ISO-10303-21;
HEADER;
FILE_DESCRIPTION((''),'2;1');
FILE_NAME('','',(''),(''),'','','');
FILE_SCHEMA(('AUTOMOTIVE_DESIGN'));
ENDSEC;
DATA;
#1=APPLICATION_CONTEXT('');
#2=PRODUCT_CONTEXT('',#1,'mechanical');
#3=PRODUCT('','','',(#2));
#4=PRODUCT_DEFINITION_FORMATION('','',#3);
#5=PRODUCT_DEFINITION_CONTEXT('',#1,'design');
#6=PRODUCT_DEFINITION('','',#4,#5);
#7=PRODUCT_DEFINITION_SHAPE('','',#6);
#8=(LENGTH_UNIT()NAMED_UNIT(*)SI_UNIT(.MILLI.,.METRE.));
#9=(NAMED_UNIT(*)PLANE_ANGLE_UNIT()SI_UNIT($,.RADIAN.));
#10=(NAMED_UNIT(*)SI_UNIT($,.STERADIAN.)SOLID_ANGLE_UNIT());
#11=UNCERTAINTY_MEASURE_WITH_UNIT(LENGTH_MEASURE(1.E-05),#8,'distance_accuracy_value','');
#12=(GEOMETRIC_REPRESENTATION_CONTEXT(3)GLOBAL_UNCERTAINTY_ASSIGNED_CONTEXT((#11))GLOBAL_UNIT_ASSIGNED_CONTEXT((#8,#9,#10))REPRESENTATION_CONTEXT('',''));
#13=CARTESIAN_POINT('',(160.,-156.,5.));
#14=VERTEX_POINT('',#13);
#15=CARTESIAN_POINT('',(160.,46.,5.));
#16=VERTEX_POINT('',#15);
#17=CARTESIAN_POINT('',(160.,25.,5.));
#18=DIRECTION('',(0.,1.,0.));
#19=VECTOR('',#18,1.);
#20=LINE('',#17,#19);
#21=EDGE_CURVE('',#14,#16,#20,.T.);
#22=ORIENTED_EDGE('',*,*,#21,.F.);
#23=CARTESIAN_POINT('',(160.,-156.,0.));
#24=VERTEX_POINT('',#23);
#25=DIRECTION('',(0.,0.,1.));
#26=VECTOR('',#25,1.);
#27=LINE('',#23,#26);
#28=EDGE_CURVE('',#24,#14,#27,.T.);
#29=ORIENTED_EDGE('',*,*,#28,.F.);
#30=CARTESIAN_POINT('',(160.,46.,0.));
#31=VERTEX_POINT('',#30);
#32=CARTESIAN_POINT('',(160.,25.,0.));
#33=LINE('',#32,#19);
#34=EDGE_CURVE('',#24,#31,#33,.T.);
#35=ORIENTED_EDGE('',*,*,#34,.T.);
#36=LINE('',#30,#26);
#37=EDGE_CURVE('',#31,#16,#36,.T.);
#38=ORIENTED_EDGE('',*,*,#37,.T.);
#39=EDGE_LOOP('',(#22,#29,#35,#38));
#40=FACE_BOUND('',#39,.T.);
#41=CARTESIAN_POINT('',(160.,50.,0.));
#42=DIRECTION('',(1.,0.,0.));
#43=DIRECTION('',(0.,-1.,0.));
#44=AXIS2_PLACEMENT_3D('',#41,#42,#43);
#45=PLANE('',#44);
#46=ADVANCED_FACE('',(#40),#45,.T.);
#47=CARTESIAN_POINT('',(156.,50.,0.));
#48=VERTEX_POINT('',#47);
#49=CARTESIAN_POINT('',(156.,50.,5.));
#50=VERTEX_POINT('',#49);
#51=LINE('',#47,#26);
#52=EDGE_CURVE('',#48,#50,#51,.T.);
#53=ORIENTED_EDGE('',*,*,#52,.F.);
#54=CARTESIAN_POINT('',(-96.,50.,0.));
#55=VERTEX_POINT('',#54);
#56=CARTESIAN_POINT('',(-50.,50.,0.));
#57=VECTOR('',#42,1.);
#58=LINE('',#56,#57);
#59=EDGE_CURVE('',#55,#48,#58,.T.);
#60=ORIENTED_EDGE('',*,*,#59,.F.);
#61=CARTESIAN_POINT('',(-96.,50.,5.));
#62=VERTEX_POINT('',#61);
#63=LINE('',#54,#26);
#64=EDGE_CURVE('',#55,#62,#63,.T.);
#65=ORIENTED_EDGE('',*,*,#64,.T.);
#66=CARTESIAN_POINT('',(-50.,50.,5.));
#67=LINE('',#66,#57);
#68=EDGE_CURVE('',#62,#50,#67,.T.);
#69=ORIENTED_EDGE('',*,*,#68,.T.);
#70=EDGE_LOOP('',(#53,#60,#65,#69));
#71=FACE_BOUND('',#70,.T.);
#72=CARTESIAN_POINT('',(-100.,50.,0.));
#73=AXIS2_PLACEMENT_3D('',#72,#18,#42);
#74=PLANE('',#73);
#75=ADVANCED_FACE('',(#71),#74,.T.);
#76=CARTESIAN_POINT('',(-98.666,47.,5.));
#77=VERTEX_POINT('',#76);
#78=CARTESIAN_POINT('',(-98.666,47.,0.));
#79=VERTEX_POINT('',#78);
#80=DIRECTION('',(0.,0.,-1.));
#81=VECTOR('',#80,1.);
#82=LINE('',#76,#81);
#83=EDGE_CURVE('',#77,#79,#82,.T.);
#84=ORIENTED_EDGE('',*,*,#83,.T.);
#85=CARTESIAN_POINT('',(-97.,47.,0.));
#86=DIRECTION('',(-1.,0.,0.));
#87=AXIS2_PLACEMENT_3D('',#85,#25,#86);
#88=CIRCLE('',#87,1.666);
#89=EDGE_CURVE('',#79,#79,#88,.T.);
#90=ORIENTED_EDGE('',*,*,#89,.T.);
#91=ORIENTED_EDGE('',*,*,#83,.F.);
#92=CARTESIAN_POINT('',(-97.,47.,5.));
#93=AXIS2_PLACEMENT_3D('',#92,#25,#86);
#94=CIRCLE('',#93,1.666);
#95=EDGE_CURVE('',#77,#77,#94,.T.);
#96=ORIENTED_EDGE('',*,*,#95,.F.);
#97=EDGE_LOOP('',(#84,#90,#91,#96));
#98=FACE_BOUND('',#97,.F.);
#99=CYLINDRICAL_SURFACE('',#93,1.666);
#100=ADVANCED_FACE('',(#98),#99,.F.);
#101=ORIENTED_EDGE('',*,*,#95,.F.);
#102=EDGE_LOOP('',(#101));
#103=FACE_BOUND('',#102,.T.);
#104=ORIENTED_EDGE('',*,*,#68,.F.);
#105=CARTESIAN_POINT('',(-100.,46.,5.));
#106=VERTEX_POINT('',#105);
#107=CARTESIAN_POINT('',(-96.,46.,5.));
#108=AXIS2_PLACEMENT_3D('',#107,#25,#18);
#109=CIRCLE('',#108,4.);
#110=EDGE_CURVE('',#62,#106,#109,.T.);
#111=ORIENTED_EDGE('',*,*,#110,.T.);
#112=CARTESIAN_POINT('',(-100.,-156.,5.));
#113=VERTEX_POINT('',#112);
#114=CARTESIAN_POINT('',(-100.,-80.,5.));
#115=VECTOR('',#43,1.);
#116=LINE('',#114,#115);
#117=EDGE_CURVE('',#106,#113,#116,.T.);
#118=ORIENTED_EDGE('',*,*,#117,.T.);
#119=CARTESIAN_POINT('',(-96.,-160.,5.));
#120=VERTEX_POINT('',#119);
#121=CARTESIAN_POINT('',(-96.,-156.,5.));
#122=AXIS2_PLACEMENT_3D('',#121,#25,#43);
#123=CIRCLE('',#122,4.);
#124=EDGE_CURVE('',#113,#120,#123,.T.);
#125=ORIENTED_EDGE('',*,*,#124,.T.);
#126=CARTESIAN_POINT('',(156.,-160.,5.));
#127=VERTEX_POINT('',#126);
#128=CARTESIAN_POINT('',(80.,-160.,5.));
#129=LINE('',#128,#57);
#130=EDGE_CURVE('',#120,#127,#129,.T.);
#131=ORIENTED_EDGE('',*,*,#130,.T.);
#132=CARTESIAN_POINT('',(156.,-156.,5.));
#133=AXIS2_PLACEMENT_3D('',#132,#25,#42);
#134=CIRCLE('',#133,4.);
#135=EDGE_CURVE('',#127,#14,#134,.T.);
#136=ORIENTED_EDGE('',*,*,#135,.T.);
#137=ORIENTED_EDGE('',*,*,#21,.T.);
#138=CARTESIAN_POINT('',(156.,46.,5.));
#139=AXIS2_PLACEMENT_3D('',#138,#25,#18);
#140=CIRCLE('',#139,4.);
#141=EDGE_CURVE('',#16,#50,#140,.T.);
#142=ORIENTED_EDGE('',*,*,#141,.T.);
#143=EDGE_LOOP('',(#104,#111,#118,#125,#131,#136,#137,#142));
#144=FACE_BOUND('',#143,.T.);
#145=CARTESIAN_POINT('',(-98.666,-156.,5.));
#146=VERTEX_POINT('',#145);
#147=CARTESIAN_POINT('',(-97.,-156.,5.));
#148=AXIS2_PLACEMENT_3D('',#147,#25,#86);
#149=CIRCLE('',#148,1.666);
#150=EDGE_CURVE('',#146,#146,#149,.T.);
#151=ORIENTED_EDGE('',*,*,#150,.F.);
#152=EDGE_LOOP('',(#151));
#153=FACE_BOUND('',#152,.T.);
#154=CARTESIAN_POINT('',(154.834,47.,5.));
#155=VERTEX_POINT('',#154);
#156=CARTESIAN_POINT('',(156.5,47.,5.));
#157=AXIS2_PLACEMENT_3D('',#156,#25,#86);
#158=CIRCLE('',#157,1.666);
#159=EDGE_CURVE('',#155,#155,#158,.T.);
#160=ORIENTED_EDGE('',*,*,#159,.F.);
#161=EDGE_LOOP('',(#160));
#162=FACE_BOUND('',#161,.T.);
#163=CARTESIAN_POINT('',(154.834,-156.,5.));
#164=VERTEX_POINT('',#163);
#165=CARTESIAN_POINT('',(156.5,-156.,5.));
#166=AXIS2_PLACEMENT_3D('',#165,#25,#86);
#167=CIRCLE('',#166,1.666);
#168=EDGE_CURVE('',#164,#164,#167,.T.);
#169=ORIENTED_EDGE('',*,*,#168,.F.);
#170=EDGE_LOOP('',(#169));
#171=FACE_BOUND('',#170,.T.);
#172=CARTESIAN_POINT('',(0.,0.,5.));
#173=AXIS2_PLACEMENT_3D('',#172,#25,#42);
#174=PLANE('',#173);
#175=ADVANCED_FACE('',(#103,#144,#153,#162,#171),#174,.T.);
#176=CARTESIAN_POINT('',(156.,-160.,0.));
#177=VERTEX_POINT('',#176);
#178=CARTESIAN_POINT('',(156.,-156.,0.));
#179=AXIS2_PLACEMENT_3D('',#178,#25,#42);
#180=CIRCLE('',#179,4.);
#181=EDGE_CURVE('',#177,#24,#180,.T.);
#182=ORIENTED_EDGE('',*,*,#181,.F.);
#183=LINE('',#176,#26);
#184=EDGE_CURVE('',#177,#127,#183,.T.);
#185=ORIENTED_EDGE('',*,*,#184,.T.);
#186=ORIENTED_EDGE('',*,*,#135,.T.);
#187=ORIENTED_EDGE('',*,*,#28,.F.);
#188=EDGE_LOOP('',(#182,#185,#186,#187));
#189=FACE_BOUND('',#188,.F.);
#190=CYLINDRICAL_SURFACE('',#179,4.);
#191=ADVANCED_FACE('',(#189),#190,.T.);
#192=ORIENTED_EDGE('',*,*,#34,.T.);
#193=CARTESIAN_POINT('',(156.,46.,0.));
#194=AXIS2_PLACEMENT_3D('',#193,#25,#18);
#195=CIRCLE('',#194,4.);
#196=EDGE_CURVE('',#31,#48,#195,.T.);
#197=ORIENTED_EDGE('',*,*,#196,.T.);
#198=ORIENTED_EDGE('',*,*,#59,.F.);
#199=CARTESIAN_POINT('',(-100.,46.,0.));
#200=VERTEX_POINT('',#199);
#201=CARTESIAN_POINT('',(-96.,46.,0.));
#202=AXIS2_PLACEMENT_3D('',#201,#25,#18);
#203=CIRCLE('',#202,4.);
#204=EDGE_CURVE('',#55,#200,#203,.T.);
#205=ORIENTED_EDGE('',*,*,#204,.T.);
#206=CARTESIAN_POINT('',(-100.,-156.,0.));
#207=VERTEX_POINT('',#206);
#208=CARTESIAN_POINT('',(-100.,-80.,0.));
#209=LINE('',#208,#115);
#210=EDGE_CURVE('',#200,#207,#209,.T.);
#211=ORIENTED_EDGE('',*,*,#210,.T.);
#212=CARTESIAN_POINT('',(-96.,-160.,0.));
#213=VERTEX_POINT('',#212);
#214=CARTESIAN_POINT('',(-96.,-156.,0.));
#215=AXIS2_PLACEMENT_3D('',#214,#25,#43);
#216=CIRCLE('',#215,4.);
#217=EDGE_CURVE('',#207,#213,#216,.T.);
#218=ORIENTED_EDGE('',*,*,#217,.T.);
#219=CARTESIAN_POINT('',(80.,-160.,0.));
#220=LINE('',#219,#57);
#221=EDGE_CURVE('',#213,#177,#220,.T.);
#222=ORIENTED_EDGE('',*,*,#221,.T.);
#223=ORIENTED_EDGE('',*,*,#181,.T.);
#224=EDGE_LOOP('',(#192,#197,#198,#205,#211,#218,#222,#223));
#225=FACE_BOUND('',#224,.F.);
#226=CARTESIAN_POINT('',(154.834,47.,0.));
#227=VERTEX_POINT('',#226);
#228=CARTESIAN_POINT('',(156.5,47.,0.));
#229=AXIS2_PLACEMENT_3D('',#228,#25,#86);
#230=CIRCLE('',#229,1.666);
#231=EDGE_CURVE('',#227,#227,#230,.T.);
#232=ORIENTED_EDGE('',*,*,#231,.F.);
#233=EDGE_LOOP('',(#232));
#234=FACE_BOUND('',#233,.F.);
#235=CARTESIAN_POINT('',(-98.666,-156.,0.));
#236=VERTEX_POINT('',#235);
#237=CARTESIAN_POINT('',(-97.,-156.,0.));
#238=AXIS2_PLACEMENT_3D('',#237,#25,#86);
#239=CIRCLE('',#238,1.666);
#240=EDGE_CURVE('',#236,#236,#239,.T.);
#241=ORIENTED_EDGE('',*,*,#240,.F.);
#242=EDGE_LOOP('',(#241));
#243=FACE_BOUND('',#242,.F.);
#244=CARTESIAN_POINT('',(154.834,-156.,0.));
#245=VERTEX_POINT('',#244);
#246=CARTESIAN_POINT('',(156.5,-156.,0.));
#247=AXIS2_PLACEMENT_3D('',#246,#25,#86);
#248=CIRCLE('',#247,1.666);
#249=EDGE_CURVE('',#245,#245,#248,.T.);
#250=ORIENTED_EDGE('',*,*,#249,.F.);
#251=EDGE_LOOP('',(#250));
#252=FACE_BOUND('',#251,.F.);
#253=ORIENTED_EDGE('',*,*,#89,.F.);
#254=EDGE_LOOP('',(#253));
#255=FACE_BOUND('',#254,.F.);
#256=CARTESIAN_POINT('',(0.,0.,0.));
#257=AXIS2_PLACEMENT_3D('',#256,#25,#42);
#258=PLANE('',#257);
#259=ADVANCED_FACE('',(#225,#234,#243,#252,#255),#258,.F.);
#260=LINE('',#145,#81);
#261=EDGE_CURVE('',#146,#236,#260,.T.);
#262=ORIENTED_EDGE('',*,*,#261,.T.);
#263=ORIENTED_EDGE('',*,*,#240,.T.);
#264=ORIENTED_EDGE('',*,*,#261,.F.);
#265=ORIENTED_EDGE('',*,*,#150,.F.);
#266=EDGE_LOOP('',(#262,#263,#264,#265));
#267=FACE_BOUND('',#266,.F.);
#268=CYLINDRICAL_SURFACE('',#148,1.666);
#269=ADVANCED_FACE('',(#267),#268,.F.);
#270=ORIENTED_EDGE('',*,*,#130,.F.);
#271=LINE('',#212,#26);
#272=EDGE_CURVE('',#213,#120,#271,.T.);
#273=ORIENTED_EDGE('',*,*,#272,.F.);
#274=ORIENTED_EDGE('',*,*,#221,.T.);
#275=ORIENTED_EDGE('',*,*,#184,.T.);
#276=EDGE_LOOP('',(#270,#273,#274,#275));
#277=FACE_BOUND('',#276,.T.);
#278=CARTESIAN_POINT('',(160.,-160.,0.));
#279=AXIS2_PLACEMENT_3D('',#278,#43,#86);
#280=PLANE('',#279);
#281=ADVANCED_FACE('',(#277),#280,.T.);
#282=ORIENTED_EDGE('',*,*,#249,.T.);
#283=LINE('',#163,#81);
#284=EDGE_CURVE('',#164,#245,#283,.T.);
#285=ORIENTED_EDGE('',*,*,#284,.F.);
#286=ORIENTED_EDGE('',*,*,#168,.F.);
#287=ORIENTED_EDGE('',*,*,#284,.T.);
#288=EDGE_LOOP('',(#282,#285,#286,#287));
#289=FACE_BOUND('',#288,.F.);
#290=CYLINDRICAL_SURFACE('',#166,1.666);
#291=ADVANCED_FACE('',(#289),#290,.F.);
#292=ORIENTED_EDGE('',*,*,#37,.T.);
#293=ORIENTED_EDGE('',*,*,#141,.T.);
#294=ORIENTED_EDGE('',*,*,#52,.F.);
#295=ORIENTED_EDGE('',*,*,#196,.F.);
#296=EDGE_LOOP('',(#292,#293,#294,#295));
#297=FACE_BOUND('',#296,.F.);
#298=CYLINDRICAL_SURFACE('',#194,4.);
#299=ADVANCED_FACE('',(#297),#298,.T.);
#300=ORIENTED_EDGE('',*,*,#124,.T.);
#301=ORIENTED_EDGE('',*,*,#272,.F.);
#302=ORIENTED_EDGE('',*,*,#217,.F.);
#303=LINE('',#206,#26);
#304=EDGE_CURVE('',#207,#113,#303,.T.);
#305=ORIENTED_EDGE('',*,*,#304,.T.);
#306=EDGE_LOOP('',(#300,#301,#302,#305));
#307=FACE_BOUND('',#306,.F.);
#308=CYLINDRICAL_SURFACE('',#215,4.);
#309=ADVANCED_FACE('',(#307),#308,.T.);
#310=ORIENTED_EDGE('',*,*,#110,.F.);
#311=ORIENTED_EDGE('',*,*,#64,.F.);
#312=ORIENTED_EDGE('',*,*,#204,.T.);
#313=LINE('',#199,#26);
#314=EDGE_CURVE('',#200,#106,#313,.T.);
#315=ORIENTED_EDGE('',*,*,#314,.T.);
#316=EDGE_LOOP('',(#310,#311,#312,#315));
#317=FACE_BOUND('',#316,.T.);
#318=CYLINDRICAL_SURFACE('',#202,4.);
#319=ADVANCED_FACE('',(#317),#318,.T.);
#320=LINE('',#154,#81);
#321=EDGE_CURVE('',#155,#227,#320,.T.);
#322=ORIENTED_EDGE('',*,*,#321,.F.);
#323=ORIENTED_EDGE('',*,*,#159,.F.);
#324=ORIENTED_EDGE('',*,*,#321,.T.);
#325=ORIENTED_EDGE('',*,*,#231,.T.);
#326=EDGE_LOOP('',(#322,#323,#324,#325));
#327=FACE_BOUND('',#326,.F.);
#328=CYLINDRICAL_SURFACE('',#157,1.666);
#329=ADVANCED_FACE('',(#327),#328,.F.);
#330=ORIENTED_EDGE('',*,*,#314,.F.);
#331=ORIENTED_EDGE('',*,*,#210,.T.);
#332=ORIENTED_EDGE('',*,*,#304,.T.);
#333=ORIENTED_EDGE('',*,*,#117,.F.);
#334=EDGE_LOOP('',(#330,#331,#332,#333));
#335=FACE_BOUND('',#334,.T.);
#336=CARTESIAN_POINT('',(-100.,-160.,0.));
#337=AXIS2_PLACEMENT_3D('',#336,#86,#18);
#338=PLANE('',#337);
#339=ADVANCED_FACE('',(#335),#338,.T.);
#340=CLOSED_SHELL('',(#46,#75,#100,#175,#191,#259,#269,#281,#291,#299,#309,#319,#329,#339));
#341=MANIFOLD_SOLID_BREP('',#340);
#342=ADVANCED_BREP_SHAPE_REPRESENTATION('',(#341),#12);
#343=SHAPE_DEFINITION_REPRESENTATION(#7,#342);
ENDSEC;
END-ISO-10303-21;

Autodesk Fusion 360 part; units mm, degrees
sketch "Sketch1" plane through (0, 0, 0) normal (0, 0, 1) x (1, 0, 0)
  line L0 (-100, 50) -> (160, 50)
  line L1 (160, 50) -> (160, -160)
  line L2 (160, -160) -> (-100, -160)
  line L3 (-100, -160) -> (-100, 50)
  dimension "d1" = 260
  dimension "d2" = 210
extrude "Extrude1" add sketch "Sketch1" along normal blind 5
fillet "Fillet1" radius 4 4 edges at (160, 50, 2.5) (160, -160, 2.5) (-100, 50, 2.5) (-100, -160, 2.5)
sketch "Sketch2" plane through (0, 0, 5) normal (0, 0, 1) x (-1, 0, 0)
  arc A0 (100, 156) -> (96, 160) centre (96, 156) ccw
  line L0 (96, 160) -> (-156, 160)
  arc A1 (-156, 160) -> (-160, 156) centre (-156, 156) ccw
  line L1 (-160, 156) -> (-160, -46)
  arc A2 (-160, -46) -> (-156, -50) centre (-156, -46) ccw
  line L2 (-156, -50) -> (96, -50)
  arc A3 (96, -50) -> (100, -46) centre (96, -46) ccw
  line L3 (100, -46) -> (100, 156)
  circle A4 centre (97, -47) radius 2
  circle A5 centre (97, 156) radius 2
  circle A6 centre (-156.5, -47) radius 2
  circle A7 centre (-156.5, 156) radius 2
  dimension "d7" = 4
  dimension "d8" = 4
  dimension "d9" = 4
  dimension "d10" = 4
extrude "Extrude2" cut sketch "Sketch2" against normal blind 5 contours A4 | A5 | A6 | A7
thread "Thread1" "ISO Metric profile 4.0 M4x0.7 M4x0.7 6H" major diameter 4.1095 minor diameter 3.332 pitch 0.7 angle 60 resizes the face on face at (-95.4679, 48.2856, 1.6667) on face at (154.5618, -156.4935, 1.6667) on face at (155.1766, 45.5004, 1.6667) on face at (-98.9382, -156.4935, 1.6667)
